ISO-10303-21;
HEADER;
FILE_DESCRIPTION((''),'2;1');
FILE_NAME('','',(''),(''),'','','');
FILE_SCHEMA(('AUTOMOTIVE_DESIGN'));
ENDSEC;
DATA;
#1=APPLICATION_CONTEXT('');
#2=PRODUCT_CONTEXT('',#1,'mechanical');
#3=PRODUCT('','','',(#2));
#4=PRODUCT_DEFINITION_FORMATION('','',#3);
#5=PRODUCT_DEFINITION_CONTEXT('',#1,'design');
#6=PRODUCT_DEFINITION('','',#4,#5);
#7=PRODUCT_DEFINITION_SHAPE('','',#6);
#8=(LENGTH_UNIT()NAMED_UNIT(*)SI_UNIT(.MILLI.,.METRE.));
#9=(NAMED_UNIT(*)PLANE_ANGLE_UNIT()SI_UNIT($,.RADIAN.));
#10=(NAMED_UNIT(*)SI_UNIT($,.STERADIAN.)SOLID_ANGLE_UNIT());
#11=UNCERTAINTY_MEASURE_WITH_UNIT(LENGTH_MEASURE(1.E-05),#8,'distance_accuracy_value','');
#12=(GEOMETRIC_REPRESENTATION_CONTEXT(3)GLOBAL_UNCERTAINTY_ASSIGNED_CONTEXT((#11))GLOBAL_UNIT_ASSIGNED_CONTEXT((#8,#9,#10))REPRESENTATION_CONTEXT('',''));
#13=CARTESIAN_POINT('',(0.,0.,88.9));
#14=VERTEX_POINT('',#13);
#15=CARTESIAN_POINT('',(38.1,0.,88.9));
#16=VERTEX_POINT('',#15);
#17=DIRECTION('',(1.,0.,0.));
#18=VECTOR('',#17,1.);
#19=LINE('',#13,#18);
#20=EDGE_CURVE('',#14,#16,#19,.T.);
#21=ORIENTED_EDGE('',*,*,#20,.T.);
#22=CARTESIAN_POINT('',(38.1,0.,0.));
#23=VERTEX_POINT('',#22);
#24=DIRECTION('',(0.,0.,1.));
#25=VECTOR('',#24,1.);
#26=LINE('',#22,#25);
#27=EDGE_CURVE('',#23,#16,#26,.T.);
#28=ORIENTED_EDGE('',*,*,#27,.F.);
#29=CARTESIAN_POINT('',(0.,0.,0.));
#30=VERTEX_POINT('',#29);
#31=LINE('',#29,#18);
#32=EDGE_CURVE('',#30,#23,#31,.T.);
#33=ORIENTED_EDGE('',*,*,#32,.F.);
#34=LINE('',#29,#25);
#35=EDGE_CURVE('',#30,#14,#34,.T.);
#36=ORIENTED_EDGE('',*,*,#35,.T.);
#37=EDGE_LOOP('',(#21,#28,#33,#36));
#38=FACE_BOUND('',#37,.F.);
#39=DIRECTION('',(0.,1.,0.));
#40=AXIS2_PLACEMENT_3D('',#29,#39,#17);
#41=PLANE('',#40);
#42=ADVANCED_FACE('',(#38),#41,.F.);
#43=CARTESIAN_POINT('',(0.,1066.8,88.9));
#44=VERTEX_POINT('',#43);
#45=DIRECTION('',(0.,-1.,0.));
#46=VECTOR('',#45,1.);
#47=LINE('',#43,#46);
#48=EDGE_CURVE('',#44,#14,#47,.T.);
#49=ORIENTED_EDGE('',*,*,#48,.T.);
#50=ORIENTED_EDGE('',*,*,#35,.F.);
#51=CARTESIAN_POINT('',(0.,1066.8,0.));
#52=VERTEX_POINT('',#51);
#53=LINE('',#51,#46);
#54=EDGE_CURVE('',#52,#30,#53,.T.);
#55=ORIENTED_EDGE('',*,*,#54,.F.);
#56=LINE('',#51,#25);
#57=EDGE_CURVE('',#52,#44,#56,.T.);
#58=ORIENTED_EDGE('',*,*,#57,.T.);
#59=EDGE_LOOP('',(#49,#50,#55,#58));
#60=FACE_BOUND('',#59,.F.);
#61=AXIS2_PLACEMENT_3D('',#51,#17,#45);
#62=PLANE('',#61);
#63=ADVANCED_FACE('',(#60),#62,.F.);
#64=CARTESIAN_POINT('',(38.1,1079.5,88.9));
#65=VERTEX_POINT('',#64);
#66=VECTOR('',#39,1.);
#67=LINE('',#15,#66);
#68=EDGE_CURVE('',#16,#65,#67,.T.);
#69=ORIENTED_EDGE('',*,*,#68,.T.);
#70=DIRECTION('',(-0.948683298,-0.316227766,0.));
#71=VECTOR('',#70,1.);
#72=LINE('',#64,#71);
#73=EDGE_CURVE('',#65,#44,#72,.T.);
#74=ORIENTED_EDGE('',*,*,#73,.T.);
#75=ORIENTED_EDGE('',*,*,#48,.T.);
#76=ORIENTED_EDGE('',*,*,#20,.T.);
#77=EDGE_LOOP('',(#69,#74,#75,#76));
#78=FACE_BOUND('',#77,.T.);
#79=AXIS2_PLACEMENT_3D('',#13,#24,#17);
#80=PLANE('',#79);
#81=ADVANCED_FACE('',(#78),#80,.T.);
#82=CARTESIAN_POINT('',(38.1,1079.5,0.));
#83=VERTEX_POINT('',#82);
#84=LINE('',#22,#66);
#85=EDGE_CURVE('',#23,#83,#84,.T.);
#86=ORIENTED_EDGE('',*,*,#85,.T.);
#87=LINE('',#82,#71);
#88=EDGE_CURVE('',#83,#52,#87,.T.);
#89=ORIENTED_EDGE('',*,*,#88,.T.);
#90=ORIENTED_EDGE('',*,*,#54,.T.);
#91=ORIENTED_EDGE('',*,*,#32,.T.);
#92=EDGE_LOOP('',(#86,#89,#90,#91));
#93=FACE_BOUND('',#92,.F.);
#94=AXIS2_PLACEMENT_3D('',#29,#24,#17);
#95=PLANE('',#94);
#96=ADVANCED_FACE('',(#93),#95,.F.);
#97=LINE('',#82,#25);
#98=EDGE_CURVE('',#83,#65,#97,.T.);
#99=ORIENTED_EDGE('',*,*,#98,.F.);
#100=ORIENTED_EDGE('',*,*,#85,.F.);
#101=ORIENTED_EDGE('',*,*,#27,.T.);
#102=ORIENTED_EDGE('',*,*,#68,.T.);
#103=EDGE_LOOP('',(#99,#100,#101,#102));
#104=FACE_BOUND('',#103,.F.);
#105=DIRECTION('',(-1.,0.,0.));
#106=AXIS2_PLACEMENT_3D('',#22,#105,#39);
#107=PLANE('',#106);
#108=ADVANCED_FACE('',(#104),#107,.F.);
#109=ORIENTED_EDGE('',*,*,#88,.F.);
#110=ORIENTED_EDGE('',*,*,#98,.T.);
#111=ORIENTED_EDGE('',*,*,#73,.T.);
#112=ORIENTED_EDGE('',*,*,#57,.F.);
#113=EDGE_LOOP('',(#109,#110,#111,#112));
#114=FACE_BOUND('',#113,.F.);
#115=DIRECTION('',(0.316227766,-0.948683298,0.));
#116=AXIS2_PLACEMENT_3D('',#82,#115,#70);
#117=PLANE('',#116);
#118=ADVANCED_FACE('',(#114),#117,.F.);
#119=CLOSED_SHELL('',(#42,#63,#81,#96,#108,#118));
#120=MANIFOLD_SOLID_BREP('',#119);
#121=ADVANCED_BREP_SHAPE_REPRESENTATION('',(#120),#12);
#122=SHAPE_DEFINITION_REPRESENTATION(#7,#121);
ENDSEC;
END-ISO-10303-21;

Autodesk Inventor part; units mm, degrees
ref_plane "YZ Plane" through (0, 0, 0) normal (1, 0, 0) x (0, 1, 0)
ref_plane "XZ Plane" through (0, 0, 0) normal (0, 1, 0) x (-1, 0, 0)
ref_plane "XY Plane" through (0, 0, 0) normal (0, 0, 1) x (1, 0, 0)
sketch "Sketch1" plane through (0, 0, 0) normal (0, 0, 1) x (1, 0, 0)
  line L0 (0, 0) -> (38.1, 0)
  line L1 (38.1, 0) -> (38.1, 1079.5)
  line L2 (38.1, 1079.5) -> (0, 1066.8)
  line L3 (0, 1066.8) -> (0, 0)
  dimension "d2" = 38.1
  dimension "d5" = 1066.8
  dimension "d6" = 1079.5
extrude "Extrusion1" add sketch "Sketch1" along normal blind 88.9
properties part number "Stud_Between_Top_Plate_And_Rafter_9" material "Wood (Birch)"
